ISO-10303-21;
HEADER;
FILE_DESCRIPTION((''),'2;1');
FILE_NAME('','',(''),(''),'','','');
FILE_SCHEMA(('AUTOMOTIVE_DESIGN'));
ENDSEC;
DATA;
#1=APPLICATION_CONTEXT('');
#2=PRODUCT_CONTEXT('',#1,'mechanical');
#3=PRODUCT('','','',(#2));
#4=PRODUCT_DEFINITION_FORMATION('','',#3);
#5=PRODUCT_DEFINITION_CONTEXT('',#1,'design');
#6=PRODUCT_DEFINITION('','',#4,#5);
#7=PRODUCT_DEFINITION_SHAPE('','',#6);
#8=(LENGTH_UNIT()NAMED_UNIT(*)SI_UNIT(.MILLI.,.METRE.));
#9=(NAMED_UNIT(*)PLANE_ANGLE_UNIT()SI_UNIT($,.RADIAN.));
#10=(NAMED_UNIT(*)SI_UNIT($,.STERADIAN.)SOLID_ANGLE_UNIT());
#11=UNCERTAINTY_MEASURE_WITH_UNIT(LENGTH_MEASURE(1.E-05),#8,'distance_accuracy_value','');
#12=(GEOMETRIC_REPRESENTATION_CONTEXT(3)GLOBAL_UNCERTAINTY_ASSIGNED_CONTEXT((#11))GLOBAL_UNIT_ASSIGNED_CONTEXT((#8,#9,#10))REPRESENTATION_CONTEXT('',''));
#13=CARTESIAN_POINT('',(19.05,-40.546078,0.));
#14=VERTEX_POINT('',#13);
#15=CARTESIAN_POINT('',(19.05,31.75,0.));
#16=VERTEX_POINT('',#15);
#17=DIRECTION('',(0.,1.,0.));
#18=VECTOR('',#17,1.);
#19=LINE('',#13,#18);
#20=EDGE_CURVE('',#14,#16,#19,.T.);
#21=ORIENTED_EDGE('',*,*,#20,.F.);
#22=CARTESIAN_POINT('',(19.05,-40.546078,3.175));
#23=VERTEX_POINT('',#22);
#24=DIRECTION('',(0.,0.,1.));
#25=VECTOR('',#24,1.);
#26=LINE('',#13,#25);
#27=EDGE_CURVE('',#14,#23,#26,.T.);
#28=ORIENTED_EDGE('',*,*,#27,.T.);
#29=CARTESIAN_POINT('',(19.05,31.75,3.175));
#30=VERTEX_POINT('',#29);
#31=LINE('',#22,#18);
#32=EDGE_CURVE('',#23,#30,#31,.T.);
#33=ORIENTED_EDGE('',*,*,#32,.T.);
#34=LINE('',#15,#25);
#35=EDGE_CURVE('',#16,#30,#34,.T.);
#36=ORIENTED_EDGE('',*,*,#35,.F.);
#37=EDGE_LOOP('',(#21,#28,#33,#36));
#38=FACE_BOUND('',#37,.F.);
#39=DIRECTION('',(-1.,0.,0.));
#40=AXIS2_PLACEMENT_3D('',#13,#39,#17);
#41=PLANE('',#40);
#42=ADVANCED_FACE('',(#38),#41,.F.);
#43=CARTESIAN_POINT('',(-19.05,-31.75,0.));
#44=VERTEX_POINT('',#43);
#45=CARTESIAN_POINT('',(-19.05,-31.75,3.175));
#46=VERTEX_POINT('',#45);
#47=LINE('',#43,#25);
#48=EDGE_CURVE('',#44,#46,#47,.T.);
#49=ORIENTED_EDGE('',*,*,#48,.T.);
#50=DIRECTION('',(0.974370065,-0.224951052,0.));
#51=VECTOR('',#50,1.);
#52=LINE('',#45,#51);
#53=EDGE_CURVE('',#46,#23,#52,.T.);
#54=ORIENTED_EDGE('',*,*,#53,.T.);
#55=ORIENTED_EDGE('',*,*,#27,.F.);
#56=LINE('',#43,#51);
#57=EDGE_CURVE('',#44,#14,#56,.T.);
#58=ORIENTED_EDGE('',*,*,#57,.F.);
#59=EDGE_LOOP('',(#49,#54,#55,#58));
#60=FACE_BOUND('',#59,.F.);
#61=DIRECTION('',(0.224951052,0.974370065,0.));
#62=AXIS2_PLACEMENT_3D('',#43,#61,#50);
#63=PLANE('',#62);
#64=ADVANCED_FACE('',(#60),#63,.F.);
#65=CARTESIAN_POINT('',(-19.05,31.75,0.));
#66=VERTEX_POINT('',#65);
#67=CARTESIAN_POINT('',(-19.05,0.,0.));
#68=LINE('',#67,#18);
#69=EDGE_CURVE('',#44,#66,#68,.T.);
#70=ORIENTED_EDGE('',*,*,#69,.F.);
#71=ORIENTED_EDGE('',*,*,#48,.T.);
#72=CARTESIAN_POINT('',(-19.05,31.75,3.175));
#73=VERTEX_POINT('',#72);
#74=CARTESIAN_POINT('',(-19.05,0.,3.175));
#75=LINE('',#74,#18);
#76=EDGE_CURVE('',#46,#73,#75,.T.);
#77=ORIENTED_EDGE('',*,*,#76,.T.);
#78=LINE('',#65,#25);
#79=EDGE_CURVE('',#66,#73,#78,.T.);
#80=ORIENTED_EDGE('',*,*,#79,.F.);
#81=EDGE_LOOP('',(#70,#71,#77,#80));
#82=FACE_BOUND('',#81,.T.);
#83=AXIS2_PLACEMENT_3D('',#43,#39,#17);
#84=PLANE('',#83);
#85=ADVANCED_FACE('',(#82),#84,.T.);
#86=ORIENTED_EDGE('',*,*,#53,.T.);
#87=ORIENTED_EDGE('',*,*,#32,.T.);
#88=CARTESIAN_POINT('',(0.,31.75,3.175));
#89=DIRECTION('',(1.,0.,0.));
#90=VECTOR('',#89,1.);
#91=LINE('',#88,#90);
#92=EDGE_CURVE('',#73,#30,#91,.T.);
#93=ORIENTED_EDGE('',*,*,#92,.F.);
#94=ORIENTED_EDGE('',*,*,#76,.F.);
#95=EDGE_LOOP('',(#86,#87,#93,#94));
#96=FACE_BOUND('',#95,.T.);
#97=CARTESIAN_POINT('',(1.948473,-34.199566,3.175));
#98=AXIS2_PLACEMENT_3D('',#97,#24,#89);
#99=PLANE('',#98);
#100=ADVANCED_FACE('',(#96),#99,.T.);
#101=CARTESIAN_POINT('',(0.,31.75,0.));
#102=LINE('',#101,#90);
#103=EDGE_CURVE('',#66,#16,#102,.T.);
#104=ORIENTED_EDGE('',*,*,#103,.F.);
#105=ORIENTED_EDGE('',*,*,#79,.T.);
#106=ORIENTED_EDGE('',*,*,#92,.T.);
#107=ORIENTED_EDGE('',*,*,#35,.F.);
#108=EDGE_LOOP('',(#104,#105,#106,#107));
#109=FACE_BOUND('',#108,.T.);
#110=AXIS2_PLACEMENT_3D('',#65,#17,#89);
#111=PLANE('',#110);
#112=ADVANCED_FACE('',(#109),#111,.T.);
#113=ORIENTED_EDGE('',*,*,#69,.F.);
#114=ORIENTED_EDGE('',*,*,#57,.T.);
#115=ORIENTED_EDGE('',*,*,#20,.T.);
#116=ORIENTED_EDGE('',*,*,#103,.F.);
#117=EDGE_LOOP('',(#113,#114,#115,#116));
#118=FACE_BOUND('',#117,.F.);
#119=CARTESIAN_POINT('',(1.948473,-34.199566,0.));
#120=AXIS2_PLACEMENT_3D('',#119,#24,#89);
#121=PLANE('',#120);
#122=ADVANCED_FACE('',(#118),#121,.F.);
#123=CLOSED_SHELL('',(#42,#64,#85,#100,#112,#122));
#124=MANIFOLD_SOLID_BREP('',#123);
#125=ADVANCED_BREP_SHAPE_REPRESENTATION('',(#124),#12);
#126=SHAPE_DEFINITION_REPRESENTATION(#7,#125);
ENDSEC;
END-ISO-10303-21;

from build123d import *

# Parameters (mm, degrees)
F0_W     = 38.1
F0_H     = 63.5
F1_DEPTH = 3.175


with BuildPart() as f1:
    # F0 (on Top) → F1 (new body)
    with BuildSketch(Plane.XY):
        Polygon((19.05, -40.546078), (19.05, -31.75), (-19.05, -31.75), align=None)
        Rectangle(F0_W, F0_H)
    extrude(amount=F1_DEPTH)


solid = f1.part
